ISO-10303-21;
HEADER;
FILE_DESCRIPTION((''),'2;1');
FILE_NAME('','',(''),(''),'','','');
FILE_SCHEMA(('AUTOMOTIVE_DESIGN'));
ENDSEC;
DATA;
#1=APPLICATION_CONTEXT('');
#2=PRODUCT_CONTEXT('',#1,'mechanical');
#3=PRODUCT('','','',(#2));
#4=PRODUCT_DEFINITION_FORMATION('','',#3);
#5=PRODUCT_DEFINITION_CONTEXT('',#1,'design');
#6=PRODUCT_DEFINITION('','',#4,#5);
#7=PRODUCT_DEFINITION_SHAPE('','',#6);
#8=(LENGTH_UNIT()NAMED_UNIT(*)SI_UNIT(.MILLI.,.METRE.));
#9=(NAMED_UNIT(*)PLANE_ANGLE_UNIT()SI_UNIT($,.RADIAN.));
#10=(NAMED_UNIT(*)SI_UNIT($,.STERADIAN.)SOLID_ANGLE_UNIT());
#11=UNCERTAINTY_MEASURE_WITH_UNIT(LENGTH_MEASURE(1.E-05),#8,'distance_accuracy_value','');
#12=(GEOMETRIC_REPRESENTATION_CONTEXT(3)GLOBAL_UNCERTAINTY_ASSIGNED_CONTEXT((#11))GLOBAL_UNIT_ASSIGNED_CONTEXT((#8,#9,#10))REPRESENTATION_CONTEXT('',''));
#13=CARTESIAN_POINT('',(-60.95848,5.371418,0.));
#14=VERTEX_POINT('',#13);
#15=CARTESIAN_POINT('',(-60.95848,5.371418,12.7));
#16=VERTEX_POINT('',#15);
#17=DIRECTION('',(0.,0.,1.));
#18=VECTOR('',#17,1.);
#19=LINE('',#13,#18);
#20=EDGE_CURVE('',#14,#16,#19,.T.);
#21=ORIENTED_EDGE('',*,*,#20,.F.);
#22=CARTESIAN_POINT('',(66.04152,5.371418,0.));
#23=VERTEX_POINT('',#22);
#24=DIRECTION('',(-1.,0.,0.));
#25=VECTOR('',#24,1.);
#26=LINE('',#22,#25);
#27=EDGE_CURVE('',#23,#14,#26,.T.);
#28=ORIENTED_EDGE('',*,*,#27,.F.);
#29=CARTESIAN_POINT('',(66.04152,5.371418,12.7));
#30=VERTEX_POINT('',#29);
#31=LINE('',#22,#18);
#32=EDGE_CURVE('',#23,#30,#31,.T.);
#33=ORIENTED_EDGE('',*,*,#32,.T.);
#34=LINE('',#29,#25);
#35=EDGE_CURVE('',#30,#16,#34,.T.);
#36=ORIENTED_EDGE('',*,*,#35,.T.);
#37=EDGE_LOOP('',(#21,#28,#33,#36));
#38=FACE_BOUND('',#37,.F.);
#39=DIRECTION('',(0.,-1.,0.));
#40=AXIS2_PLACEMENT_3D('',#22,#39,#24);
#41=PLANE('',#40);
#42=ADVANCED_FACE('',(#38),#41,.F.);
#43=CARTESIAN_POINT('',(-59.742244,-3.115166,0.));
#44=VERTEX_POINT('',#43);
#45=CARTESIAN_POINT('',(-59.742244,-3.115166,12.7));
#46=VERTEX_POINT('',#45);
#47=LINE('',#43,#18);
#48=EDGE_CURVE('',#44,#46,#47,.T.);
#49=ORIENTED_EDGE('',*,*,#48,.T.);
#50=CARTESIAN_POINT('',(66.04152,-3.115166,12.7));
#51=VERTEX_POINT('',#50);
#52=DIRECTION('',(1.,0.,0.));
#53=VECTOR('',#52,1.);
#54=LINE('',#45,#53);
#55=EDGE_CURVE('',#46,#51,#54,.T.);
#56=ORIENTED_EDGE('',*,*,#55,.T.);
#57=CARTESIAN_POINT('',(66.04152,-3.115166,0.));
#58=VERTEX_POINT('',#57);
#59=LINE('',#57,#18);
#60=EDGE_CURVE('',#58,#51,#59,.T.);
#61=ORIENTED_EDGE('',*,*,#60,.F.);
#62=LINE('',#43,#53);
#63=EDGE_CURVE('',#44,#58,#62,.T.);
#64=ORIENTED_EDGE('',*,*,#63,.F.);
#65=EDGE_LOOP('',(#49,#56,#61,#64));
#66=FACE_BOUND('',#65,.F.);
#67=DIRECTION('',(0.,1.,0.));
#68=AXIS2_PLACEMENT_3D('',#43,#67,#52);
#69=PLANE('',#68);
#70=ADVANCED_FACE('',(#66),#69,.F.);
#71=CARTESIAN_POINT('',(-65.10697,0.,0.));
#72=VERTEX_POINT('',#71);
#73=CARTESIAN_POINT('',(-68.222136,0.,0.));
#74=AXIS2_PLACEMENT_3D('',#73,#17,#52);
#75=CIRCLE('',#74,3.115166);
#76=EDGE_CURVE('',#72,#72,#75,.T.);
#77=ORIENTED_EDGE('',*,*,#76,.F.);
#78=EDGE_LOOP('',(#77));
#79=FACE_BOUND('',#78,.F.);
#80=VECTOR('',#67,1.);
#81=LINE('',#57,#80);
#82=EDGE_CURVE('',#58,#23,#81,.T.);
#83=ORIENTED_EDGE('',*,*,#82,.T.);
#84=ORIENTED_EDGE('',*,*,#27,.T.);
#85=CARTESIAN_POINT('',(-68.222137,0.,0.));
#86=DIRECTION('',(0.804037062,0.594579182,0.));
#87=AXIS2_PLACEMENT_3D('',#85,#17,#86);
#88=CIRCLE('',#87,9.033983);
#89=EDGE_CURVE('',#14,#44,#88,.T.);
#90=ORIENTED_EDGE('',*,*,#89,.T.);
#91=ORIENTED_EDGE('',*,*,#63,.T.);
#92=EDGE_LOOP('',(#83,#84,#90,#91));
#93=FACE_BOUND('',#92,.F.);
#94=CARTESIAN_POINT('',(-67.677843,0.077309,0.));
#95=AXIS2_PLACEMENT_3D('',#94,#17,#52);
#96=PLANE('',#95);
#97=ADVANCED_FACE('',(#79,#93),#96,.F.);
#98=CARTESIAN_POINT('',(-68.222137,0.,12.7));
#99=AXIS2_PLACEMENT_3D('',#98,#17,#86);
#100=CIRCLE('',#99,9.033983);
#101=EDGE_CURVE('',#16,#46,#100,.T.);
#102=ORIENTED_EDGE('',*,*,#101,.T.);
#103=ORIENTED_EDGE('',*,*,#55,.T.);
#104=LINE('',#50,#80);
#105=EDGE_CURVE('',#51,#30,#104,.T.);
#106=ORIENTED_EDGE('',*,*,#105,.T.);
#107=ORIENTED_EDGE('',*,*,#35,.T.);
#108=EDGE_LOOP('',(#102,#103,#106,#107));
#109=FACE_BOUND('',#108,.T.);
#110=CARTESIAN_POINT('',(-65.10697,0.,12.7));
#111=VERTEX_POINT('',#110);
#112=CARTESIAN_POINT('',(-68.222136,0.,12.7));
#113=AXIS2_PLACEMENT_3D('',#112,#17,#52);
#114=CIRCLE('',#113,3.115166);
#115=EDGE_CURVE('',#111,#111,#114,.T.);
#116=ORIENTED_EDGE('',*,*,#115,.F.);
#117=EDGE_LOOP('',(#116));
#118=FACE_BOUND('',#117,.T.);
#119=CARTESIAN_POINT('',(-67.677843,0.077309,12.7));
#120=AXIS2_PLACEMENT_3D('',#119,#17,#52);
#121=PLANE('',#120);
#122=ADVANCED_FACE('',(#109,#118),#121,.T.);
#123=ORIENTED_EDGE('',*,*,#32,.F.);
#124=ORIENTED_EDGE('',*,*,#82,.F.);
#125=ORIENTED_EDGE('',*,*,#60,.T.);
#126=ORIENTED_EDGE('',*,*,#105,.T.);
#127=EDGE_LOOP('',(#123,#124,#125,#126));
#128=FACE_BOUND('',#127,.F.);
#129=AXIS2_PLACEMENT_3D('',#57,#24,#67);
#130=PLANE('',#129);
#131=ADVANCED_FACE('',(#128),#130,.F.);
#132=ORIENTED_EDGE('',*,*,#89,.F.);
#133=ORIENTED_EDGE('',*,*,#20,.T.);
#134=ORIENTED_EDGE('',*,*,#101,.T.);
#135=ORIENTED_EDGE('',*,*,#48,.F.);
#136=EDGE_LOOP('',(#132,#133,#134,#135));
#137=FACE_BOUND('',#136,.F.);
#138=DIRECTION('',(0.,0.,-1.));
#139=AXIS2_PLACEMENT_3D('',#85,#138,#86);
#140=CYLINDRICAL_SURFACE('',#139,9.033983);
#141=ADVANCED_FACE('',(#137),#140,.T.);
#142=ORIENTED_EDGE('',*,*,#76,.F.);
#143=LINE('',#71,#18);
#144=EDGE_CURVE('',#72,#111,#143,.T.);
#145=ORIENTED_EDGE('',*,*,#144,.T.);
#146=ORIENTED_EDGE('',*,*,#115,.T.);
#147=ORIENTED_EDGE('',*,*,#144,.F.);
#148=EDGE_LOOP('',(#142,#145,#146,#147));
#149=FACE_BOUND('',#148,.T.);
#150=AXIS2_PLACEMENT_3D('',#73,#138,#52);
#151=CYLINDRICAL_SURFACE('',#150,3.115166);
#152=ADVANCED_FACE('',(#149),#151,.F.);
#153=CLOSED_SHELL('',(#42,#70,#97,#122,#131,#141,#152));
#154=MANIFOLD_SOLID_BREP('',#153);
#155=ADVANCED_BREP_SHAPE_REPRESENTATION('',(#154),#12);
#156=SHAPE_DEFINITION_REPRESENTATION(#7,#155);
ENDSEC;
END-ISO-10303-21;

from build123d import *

# Parameters (mm, degrees)
F0_R     = 3.115166
F1_DEPTH = 12.7


with BuildPart() as f1:
    # F0 (on Top) → F1 (new body)
    with BuildSketch(Plane.XY):
        with BuildLine():
            ThreePointArc((-59.742244, -3.115166), (-59.327755, -1.58203), (-59.188154, 0))
            ThreePointArc((-59.188154, 0), (-59.642142, 2.827817), (-60.95848, 5.371418))
            ThreePointArc((-60.95848, 5.371418), (-77.164752, -1.281591), (-59.742244, -3.115166))
        make_face()
        with Locations((-68.222136, 0)):
            Circle(F0_R, mode=Mode.SUBTRACT)
        with BuildLine():
            ThreePointArc((-60.95848, 5.371418), (-59.642142, 2.827817), (-59.188154, 0))
            ThreePointArc((-59.188154, 0), (-59.327755, -1.58203), (-59.742244, -3.115166))
            Line((-59.742244, -3.115166), (66.04152, -3.115166))
            Line((66.04152, -3.115166), (66.04152, 5.371418))
            Line((66.04152, 5.371418), (-60.95848, 5.371418))
        make_face()
    extrude(amount=F1_DEPTH)


solid = f1.part
